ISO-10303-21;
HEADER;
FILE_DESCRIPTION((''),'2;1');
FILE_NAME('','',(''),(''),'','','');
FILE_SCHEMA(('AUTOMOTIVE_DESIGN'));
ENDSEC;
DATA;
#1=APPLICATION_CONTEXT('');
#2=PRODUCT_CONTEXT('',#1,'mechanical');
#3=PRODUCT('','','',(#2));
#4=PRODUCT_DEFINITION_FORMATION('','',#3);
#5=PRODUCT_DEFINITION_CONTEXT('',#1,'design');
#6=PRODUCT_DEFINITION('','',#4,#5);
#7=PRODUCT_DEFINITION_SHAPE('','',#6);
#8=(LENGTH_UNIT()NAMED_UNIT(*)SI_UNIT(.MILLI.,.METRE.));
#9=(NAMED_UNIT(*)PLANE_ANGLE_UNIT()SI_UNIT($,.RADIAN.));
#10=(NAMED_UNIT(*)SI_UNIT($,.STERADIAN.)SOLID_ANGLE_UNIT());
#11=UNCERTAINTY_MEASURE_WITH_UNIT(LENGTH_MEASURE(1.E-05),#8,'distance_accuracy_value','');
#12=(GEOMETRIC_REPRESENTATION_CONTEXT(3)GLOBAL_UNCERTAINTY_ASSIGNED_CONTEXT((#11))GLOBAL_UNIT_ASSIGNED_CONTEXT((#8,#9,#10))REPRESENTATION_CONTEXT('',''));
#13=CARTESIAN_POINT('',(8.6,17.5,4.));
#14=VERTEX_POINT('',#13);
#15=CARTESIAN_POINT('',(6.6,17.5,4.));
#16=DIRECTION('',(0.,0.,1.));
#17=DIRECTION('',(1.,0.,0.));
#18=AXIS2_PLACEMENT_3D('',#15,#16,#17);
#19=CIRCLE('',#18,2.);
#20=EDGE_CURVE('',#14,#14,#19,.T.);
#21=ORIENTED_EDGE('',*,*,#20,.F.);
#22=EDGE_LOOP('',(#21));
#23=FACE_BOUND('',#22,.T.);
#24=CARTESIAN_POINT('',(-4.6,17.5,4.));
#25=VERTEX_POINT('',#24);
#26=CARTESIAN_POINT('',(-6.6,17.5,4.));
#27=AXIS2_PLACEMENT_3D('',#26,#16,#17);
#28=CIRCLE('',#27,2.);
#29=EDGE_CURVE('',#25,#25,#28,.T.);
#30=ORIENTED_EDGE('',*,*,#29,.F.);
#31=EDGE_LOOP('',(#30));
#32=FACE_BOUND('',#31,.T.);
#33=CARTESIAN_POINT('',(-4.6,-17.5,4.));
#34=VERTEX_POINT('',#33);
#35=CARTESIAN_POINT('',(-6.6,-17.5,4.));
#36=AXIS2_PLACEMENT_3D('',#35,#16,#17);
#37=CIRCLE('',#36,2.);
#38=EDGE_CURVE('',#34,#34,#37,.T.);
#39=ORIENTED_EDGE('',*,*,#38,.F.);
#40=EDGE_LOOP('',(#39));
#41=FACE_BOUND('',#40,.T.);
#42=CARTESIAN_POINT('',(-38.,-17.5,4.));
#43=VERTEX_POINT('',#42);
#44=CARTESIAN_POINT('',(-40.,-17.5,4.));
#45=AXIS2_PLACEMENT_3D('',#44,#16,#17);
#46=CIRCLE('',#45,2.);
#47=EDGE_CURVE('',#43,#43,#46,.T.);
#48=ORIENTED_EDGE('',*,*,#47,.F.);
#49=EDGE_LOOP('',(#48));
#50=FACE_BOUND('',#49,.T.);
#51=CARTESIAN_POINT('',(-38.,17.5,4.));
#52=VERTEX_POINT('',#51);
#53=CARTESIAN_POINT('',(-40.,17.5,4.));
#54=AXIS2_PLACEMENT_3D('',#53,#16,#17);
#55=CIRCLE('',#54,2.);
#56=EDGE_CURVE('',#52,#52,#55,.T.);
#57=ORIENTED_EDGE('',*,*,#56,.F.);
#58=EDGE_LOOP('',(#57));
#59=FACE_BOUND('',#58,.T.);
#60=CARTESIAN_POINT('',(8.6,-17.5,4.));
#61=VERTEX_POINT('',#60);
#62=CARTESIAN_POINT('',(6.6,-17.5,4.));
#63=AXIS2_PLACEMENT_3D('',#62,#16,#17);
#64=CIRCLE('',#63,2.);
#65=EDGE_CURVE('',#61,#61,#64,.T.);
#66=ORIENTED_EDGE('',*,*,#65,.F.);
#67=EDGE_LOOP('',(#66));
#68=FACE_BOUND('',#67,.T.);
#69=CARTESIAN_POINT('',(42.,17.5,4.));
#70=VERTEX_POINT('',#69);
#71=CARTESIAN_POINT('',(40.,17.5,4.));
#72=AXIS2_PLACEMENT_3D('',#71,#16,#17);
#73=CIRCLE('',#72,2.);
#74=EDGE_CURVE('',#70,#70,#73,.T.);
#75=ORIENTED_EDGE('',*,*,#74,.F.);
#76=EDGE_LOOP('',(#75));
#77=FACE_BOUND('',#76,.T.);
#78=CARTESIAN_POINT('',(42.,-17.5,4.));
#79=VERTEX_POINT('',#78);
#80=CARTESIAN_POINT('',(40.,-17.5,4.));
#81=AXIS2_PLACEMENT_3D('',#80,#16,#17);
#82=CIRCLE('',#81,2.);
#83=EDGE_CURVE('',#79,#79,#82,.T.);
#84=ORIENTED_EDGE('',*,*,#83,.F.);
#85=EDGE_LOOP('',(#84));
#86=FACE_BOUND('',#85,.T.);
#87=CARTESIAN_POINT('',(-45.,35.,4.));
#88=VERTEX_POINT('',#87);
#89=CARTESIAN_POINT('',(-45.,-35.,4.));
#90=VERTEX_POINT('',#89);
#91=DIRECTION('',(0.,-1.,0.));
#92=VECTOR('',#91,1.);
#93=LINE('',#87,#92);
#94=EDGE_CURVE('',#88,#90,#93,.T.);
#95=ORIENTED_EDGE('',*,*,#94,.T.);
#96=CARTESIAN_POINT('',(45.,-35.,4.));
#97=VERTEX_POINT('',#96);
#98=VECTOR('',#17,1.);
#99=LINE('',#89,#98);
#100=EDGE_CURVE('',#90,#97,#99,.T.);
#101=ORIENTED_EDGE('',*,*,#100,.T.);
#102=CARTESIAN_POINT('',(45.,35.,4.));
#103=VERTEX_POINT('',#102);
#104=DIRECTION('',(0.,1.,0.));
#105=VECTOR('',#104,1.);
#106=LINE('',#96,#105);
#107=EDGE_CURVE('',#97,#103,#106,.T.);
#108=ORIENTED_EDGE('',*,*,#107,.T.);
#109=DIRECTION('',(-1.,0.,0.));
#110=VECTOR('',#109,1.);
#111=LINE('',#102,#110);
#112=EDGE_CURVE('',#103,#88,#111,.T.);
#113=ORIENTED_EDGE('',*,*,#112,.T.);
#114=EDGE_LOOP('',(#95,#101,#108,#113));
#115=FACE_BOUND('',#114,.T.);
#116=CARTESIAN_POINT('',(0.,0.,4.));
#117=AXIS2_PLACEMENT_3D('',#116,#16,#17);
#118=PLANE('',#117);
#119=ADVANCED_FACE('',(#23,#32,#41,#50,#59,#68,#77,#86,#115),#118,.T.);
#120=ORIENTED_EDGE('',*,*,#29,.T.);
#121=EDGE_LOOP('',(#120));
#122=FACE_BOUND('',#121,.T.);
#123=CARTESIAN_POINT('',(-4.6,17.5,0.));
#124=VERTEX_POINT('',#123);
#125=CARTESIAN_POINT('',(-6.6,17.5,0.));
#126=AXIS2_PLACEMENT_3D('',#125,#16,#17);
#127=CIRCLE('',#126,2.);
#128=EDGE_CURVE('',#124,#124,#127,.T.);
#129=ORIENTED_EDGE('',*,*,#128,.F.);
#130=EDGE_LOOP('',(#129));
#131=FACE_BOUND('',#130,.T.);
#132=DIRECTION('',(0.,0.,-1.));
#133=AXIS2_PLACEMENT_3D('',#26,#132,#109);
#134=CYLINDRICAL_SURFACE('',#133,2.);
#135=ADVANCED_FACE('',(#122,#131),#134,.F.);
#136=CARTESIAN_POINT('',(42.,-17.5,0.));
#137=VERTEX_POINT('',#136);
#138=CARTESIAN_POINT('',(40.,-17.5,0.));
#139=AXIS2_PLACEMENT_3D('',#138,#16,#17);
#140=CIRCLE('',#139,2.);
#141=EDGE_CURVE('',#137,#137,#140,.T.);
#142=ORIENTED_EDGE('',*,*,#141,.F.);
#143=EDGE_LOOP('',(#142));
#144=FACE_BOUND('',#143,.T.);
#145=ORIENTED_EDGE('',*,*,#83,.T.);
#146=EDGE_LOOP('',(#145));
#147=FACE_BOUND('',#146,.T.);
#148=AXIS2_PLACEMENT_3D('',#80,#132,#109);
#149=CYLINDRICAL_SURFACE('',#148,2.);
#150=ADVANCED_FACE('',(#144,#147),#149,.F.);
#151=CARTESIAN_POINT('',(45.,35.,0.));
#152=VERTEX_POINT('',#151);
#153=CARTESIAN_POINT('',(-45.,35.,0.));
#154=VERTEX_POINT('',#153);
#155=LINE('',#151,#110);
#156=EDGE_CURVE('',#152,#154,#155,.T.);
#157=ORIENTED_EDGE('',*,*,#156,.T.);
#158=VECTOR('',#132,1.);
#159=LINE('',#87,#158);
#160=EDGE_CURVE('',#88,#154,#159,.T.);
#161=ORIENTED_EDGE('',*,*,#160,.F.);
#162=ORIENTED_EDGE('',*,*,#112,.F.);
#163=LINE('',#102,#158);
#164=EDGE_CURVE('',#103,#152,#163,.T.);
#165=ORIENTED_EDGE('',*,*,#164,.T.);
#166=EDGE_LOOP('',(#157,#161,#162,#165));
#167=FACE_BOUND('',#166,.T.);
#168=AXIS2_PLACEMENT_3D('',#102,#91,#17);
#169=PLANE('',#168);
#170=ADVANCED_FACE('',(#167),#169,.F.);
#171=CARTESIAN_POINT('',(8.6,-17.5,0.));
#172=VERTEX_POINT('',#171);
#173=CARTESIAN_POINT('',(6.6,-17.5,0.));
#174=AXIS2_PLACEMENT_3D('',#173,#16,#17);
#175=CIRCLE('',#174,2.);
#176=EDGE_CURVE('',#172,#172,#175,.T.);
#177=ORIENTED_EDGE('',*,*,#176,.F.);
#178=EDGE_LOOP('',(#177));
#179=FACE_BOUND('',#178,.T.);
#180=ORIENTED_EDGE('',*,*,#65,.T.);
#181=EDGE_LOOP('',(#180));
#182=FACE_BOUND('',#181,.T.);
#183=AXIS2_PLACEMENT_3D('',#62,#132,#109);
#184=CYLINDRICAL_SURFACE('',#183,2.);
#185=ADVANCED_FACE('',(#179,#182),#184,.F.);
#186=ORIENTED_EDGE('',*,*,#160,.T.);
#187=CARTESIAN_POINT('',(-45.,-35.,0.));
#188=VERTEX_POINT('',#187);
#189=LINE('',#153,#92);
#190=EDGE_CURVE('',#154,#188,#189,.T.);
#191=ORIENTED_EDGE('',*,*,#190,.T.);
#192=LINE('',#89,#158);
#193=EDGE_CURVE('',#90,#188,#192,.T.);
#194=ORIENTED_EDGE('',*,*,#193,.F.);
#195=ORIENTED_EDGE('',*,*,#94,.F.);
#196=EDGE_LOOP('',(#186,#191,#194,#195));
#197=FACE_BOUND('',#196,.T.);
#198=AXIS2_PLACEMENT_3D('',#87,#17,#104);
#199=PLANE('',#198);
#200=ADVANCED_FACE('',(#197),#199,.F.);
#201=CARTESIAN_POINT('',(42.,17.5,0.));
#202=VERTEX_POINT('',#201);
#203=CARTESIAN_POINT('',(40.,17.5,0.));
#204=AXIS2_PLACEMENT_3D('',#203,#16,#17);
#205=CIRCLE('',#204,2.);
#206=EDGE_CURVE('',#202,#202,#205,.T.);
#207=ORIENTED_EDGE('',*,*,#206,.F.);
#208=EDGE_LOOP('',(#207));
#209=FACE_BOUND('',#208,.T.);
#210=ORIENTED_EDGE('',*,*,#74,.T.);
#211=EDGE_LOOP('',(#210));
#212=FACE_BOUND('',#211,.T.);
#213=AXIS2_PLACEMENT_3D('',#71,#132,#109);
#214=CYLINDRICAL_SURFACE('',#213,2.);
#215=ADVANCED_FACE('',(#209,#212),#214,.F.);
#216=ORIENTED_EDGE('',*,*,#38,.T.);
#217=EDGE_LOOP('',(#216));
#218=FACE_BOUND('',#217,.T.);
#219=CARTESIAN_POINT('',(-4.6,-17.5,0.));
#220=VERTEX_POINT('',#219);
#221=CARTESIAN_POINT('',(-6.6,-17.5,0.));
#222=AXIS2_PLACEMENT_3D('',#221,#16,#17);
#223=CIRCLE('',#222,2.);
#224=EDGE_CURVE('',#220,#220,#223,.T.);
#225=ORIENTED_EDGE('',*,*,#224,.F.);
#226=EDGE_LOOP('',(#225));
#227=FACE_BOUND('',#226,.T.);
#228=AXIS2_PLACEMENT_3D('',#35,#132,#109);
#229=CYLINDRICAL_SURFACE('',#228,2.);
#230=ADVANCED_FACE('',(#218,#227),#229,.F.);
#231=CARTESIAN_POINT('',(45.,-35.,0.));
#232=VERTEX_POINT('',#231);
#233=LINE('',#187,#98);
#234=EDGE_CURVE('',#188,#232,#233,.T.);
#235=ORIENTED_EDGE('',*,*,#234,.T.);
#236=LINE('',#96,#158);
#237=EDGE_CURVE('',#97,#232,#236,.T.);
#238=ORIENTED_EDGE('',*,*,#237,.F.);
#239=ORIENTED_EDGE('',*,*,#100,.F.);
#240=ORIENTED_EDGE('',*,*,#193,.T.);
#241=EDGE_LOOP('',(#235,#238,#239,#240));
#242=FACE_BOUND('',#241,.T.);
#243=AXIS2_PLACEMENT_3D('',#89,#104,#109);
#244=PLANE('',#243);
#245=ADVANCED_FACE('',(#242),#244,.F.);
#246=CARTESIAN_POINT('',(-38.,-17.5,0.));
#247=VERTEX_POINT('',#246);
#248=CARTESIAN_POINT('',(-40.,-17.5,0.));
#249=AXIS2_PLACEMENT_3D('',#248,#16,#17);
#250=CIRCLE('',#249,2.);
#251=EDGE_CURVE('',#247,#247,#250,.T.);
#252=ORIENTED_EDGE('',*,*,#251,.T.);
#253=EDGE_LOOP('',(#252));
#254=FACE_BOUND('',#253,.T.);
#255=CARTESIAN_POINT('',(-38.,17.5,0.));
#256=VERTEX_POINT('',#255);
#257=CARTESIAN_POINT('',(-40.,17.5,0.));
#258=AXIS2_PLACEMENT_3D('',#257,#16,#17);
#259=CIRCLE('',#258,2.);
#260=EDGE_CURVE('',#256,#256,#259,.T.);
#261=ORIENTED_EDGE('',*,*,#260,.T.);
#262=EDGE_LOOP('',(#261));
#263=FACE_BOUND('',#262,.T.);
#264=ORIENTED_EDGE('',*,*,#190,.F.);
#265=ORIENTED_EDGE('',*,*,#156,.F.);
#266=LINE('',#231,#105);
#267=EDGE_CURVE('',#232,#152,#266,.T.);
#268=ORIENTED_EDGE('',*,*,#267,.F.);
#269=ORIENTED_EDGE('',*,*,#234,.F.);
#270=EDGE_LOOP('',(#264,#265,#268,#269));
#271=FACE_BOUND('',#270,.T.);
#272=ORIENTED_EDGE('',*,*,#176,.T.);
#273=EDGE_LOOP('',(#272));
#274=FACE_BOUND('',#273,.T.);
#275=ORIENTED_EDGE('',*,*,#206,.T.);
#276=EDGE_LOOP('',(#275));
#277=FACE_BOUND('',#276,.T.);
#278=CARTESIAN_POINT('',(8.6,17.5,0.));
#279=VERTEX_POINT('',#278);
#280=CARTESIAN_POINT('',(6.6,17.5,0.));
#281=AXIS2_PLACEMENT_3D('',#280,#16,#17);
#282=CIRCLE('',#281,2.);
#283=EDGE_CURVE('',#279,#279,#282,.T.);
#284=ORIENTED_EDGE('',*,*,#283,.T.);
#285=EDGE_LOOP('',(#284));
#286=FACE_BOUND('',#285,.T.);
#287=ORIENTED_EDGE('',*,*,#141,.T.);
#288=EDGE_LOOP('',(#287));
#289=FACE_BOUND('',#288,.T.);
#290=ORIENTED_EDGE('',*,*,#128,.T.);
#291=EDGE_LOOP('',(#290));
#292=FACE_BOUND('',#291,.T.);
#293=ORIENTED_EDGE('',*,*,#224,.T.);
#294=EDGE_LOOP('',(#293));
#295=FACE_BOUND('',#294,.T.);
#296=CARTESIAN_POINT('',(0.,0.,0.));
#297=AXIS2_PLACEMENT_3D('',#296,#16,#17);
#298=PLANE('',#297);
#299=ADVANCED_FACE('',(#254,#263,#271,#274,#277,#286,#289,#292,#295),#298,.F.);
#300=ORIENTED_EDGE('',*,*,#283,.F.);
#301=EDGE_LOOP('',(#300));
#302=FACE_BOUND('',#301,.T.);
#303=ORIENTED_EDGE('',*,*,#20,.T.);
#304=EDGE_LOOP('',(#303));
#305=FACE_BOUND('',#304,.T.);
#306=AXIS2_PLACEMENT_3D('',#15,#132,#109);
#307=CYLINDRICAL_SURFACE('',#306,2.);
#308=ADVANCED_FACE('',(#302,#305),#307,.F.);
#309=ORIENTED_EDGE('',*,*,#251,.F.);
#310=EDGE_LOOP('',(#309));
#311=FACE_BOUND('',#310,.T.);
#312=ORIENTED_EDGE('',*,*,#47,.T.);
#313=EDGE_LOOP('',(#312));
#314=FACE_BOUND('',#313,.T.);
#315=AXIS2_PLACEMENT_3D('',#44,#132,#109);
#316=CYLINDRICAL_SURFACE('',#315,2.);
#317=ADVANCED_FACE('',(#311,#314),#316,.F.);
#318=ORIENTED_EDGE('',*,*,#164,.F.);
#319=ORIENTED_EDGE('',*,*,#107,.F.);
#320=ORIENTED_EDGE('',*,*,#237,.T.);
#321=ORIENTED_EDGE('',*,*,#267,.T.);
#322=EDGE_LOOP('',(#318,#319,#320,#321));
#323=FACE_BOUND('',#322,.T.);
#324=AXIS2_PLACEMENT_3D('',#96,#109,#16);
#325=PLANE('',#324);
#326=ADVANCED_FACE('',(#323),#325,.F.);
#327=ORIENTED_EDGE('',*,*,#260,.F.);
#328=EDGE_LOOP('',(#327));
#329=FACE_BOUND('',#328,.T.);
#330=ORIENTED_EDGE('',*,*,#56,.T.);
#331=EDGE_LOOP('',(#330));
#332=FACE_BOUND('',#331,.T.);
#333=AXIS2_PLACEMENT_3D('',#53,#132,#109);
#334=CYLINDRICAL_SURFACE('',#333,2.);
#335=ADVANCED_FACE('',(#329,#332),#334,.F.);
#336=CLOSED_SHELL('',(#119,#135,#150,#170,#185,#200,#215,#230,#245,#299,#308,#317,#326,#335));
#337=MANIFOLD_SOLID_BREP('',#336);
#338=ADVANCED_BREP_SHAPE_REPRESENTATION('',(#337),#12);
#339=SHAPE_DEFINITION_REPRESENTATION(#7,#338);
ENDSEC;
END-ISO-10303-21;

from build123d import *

# Parameters (mm, degrees)
SKETCH1_W           = 90
SKETCH1_H           = 70
SKETCH1_R           = 2
BOSS_EXTRUDE1_DEPTH = 4


with BuildPart() as part:
    # Sketch1 → Boss-Extrude1 (new body)
    with BuildSketch(Plane.XY):
        Rectangle(SKETCH1_W, SKETCH1_H)
        with Locations((-6.6, 17.5)):
            Circle(SKETCH1_R, mode=Mode.SUBTRACT)
        with Locations((6.6, 17.5)):
            Circle(SKETCH1_R, mode=Mode.SUBTRACT)
        with Locations((-6.6, -17.5)):
            Circle(SKETCH1_R, mode=Mode.SUBTRACT)
        with Locations((-40, 17.5)):
            Circle(SKETCH1_R, mode=Mode.SUBTRACT)
        with Locations((-40, -17.5)):
            Circle(SKETCH1_R, mode=Mode.SUBTRACT)
        with Locations((40, 17.5)):
            Circle(SKETCH1_R, mode=Mode.SUBTRACT)
        with Locations((6.6, -17.5)):
            Circle(SKETCH1_R, mode=Mode.SUBTRACT)
        with Locations((40, -17.5)):
            Circle(SKETCH1_R, mode=Mode.SUBTRACT)
    extrude(amount=BOSS_EXTRUDE1_DEPTH)


solid = part.part
